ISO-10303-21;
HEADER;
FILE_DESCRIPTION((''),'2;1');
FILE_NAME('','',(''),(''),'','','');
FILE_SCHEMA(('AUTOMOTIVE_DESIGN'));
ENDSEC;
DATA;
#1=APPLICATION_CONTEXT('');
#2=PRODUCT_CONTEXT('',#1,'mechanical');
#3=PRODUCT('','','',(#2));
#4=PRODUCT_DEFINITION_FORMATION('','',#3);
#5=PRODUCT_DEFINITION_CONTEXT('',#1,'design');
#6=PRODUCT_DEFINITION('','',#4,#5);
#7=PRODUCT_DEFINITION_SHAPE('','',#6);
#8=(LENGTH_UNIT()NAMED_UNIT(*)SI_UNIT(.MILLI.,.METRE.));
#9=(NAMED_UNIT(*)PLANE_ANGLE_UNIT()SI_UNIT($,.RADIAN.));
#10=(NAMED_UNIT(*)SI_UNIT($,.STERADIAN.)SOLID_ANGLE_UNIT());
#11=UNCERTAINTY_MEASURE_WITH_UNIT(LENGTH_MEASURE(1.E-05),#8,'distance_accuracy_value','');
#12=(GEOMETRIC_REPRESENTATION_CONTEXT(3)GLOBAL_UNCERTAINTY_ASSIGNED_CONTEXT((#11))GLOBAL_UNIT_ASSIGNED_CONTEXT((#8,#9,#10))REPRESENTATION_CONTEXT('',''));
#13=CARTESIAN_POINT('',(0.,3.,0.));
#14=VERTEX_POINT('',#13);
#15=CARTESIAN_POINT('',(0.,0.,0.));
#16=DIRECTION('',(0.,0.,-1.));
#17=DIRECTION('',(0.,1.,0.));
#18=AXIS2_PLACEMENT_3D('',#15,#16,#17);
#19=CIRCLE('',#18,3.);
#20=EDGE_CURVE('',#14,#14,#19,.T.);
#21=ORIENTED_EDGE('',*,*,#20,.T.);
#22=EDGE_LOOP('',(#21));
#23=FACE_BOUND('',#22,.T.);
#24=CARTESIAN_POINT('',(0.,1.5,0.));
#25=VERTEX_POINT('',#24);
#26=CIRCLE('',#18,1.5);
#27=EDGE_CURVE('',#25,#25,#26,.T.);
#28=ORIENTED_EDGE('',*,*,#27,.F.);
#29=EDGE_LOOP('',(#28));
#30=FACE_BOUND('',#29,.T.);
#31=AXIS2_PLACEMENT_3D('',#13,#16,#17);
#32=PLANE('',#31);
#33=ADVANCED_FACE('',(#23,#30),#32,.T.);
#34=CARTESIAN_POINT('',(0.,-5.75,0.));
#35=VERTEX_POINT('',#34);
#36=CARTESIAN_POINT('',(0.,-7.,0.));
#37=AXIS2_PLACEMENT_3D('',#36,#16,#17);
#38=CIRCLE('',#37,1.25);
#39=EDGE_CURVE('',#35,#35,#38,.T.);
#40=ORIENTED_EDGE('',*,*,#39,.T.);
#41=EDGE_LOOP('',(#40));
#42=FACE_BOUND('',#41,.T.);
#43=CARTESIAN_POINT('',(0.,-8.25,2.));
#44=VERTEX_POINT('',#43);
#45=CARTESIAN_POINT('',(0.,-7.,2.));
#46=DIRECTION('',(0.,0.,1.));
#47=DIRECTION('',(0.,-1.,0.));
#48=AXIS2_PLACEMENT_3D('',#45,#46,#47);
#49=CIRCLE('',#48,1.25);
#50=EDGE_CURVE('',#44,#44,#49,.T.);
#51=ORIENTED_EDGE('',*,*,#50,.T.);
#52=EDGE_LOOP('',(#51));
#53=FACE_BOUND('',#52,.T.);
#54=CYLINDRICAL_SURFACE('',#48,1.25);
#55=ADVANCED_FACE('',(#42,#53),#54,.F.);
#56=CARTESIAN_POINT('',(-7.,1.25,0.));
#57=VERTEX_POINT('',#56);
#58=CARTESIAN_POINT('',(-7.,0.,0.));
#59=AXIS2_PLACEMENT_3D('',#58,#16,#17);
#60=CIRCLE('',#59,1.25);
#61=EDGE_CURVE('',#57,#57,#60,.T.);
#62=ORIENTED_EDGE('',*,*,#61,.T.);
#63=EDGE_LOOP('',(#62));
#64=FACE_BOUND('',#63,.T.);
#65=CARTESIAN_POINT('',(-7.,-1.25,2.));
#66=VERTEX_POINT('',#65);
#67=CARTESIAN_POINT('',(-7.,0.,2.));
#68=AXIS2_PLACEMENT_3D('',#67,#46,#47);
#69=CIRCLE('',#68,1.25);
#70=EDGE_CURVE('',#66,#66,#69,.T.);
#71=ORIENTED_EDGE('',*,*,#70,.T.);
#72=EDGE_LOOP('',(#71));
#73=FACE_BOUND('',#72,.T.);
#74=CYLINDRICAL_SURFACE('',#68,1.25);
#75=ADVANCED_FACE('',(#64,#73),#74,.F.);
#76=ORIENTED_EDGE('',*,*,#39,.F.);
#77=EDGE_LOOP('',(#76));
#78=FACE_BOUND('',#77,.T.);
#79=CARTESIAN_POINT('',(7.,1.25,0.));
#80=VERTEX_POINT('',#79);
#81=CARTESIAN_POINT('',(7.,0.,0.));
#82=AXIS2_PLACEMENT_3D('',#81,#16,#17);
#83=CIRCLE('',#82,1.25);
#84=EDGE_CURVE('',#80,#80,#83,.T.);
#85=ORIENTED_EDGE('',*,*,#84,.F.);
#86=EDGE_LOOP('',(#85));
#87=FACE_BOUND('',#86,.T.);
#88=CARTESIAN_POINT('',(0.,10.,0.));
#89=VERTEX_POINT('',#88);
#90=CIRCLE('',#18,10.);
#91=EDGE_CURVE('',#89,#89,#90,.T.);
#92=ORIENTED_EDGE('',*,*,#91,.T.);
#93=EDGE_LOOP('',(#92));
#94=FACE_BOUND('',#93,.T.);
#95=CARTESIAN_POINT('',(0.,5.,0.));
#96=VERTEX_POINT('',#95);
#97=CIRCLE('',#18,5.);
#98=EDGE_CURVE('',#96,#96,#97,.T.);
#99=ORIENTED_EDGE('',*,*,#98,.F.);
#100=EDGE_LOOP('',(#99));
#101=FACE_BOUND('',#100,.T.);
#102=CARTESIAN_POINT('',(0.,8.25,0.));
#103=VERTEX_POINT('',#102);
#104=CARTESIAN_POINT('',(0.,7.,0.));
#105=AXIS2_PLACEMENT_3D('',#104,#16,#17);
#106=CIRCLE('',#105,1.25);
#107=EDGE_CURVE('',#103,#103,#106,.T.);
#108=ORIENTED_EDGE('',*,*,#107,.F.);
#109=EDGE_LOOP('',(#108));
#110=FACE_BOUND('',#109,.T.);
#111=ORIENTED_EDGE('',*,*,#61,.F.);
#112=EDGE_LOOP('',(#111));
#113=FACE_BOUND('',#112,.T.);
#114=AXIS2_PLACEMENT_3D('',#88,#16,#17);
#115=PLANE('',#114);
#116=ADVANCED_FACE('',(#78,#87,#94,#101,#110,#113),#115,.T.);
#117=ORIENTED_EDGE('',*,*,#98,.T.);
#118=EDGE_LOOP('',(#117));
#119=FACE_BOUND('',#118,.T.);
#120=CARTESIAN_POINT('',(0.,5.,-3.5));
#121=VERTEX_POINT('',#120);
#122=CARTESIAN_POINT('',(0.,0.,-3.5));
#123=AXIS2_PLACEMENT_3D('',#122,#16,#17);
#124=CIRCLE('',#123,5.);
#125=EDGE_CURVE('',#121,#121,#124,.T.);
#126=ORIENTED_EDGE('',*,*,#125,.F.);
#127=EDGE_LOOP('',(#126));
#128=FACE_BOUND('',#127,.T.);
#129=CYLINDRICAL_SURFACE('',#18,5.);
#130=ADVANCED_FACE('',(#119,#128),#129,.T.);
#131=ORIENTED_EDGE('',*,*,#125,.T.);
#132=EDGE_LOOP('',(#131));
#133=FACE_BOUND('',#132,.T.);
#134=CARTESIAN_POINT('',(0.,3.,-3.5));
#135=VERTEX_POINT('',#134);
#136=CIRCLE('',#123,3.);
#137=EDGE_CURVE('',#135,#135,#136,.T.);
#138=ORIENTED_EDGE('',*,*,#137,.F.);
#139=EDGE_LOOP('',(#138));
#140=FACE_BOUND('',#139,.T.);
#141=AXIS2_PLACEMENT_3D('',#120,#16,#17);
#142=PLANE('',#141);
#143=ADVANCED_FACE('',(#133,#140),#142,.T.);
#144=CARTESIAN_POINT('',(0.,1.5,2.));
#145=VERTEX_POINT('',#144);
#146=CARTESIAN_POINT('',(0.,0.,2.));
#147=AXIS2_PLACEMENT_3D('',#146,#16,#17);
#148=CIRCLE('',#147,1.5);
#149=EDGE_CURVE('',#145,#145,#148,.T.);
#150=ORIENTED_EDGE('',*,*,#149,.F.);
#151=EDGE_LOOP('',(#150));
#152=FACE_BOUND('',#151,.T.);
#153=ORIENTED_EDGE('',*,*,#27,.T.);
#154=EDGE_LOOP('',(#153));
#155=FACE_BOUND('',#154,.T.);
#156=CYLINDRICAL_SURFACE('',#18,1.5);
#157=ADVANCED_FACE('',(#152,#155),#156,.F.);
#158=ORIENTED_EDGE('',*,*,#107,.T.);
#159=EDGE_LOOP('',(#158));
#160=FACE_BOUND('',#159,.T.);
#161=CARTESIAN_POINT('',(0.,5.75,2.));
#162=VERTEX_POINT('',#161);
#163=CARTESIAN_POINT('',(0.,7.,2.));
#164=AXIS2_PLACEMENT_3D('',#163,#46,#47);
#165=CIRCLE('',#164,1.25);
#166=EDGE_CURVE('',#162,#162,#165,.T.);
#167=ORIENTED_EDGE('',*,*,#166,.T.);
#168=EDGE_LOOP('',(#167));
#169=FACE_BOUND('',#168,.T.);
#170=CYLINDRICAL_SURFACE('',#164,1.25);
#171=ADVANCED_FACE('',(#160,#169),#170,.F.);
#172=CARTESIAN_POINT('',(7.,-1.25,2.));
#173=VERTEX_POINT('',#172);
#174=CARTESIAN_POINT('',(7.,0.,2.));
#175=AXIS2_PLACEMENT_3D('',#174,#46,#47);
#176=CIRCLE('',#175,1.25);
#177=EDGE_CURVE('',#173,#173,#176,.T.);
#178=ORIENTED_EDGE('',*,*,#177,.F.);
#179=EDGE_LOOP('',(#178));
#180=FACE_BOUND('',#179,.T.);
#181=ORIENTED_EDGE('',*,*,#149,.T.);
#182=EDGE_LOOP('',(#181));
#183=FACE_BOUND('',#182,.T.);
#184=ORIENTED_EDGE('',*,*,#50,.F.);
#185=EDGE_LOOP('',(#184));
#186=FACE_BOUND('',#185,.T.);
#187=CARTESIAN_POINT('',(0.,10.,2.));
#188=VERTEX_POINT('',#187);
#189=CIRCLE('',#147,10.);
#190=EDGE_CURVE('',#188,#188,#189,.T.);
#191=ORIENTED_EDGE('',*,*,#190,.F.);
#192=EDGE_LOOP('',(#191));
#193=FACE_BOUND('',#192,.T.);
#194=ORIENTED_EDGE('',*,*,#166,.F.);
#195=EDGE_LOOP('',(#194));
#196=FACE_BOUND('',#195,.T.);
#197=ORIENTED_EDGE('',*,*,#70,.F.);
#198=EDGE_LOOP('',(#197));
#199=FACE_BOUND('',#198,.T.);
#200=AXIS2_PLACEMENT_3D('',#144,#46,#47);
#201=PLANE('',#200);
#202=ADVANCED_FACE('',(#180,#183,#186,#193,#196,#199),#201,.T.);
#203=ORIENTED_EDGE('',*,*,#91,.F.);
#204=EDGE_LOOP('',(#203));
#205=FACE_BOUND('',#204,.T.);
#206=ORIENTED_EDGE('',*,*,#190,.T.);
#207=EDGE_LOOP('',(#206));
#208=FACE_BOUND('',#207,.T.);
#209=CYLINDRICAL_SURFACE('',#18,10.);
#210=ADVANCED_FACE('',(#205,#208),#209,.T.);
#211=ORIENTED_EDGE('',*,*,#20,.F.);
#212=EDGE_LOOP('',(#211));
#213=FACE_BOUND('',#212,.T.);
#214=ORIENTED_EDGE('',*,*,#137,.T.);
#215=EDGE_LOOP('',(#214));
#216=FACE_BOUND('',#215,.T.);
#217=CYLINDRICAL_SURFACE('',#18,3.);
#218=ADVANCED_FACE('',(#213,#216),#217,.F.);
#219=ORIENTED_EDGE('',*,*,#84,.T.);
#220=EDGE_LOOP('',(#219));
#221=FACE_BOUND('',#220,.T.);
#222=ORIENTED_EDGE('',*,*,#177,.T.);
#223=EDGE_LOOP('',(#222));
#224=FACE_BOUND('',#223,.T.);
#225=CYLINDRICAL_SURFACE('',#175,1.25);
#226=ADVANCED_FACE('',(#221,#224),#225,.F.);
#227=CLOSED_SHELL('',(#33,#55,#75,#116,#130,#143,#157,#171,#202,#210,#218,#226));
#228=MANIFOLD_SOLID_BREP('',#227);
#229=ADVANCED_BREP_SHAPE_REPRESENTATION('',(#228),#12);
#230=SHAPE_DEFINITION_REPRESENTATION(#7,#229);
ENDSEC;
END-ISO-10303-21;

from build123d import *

# Parameters (mm, degrees)
PATTERN_CIRCULAR_1_COUNT = 4


with BuildPart() as part:
    # 草图2 → 旋转1 (revolve)
    with BuildSketch(Plane(origin=(0, 0, 0), x_dir=(0, 0, -1), z_dir=(1, 0, 0))):
        Polygon((-2, 1.5), (-2, 10), (0, 10), (0, 5), (3.5, 5), (3.5, 3), (0, 3), (0, 1.5), align=None)
    revolve(axis=Axis((0, 0, 0), (0, 0, 1)))

    # 草图4 → M3 螺纹孔1 (revolve, cut)
    with BuildSketch(Plane(origin=(0, 7, 2), x_dir=(0, -1, 0), z_dir=(1, 0, 0))):
        Polygon((0, 0), (0, 8.251075774), (1.25, 7.5), (1.25, 0), align=None)
    hole_wizard_m3_1 = revolve(axis=Axis((0, 7, 8.35), (0, 0, -1)), mode=Mode.SUBTRACT)

    # 阵列(圆周)1: M3 螺纹孔1 ×4 about axis
    pattern_circular_1_axis = Axis((0, 0, 0), (0, 0, 1))
    for i in range(1, PATTERN_CIRCULAR_1_COUNT):
        add(hole_wizard_m3_1.rotate(pattern_circular_1_axis, i * 360 / PATTERN_CIRCULAR_1_COUNT), mode=Mode.SUBTRACT)


solid = part.part
